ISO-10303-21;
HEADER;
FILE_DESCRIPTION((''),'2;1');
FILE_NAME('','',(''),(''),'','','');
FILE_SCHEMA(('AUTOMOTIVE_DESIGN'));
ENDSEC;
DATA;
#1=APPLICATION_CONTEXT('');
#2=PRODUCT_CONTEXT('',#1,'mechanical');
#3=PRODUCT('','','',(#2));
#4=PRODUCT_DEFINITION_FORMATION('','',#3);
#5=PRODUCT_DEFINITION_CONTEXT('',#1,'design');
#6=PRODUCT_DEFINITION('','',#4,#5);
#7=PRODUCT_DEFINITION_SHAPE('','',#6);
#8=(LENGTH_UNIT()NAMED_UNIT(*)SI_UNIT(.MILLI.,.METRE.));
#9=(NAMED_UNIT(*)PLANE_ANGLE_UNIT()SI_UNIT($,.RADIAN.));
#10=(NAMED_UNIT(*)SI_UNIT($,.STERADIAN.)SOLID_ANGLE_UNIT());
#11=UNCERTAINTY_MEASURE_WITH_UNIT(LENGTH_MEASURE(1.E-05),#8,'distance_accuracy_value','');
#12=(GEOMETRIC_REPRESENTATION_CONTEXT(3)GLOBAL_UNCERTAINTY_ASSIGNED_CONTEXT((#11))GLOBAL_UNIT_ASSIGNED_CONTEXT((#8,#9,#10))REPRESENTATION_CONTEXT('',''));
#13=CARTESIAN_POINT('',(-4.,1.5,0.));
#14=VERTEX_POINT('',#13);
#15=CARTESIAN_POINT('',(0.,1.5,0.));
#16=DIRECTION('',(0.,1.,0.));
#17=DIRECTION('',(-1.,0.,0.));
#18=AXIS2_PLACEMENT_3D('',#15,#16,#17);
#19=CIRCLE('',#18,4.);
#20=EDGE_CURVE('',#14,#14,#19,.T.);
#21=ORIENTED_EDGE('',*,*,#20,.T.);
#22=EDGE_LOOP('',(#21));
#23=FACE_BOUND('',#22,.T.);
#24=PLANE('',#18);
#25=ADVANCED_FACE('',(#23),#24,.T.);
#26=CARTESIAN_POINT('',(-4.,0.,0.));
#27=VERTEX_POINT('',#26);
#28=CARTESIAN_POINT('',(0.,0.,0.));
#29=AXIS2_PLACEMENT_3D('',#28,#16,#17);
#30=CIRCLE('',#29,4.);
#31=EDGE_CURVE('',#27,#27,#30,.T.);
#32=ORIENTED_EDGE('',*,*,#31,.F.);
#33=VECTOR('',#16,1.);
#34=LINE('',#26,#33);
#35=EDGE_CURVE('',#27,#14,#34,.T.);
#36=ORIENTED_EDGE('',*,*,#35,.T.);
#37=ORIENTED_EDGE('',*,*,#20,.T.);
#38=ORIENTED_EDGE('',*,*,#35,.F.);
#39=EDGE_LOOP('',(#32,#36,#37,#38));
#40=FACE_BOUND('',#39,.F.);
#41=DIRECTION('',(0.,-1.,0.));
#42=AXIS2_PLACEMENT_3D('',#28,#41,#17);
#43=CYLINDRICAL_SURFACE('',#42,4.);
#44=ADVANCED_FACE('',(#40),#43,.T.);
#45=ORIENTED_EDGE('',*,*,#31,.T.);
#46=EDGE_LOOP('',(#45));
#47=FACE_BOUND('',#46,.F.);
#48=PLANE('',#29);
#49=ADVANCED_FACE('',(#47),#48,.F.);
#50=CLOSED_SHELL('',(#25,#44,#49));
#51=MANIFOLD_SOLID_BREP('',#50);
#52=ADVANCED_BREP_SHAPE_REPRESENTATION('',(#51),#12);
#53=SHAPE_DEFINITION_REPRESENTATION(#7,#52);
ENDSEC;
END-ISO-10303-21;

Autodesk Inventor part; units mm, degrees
ref_plane "YZ Plane" through (0, 0, 0) normal (1, 0, 0) x (0, 1, 0)
ref_plane "XZ Plane" through (0, 0, 0) normal (0, 1, 0) x (-1, 0, 0)
ref_plane "XY Plane" through (0, 0, 0) normal (0, 0, 1) x (1, 0, 0)
sketch "Sketch1" plane through (0, 0, 0) normal (0, 1, 0) x (-1, 0, 0)
  circle A0 centre (0, 0) radius 4
  dimension "d0" = 8
extrude "Extrusion1" add sketch "Sketch1" along normal blind 1.5
properties part number "Fenster_LED" material "Glass"
